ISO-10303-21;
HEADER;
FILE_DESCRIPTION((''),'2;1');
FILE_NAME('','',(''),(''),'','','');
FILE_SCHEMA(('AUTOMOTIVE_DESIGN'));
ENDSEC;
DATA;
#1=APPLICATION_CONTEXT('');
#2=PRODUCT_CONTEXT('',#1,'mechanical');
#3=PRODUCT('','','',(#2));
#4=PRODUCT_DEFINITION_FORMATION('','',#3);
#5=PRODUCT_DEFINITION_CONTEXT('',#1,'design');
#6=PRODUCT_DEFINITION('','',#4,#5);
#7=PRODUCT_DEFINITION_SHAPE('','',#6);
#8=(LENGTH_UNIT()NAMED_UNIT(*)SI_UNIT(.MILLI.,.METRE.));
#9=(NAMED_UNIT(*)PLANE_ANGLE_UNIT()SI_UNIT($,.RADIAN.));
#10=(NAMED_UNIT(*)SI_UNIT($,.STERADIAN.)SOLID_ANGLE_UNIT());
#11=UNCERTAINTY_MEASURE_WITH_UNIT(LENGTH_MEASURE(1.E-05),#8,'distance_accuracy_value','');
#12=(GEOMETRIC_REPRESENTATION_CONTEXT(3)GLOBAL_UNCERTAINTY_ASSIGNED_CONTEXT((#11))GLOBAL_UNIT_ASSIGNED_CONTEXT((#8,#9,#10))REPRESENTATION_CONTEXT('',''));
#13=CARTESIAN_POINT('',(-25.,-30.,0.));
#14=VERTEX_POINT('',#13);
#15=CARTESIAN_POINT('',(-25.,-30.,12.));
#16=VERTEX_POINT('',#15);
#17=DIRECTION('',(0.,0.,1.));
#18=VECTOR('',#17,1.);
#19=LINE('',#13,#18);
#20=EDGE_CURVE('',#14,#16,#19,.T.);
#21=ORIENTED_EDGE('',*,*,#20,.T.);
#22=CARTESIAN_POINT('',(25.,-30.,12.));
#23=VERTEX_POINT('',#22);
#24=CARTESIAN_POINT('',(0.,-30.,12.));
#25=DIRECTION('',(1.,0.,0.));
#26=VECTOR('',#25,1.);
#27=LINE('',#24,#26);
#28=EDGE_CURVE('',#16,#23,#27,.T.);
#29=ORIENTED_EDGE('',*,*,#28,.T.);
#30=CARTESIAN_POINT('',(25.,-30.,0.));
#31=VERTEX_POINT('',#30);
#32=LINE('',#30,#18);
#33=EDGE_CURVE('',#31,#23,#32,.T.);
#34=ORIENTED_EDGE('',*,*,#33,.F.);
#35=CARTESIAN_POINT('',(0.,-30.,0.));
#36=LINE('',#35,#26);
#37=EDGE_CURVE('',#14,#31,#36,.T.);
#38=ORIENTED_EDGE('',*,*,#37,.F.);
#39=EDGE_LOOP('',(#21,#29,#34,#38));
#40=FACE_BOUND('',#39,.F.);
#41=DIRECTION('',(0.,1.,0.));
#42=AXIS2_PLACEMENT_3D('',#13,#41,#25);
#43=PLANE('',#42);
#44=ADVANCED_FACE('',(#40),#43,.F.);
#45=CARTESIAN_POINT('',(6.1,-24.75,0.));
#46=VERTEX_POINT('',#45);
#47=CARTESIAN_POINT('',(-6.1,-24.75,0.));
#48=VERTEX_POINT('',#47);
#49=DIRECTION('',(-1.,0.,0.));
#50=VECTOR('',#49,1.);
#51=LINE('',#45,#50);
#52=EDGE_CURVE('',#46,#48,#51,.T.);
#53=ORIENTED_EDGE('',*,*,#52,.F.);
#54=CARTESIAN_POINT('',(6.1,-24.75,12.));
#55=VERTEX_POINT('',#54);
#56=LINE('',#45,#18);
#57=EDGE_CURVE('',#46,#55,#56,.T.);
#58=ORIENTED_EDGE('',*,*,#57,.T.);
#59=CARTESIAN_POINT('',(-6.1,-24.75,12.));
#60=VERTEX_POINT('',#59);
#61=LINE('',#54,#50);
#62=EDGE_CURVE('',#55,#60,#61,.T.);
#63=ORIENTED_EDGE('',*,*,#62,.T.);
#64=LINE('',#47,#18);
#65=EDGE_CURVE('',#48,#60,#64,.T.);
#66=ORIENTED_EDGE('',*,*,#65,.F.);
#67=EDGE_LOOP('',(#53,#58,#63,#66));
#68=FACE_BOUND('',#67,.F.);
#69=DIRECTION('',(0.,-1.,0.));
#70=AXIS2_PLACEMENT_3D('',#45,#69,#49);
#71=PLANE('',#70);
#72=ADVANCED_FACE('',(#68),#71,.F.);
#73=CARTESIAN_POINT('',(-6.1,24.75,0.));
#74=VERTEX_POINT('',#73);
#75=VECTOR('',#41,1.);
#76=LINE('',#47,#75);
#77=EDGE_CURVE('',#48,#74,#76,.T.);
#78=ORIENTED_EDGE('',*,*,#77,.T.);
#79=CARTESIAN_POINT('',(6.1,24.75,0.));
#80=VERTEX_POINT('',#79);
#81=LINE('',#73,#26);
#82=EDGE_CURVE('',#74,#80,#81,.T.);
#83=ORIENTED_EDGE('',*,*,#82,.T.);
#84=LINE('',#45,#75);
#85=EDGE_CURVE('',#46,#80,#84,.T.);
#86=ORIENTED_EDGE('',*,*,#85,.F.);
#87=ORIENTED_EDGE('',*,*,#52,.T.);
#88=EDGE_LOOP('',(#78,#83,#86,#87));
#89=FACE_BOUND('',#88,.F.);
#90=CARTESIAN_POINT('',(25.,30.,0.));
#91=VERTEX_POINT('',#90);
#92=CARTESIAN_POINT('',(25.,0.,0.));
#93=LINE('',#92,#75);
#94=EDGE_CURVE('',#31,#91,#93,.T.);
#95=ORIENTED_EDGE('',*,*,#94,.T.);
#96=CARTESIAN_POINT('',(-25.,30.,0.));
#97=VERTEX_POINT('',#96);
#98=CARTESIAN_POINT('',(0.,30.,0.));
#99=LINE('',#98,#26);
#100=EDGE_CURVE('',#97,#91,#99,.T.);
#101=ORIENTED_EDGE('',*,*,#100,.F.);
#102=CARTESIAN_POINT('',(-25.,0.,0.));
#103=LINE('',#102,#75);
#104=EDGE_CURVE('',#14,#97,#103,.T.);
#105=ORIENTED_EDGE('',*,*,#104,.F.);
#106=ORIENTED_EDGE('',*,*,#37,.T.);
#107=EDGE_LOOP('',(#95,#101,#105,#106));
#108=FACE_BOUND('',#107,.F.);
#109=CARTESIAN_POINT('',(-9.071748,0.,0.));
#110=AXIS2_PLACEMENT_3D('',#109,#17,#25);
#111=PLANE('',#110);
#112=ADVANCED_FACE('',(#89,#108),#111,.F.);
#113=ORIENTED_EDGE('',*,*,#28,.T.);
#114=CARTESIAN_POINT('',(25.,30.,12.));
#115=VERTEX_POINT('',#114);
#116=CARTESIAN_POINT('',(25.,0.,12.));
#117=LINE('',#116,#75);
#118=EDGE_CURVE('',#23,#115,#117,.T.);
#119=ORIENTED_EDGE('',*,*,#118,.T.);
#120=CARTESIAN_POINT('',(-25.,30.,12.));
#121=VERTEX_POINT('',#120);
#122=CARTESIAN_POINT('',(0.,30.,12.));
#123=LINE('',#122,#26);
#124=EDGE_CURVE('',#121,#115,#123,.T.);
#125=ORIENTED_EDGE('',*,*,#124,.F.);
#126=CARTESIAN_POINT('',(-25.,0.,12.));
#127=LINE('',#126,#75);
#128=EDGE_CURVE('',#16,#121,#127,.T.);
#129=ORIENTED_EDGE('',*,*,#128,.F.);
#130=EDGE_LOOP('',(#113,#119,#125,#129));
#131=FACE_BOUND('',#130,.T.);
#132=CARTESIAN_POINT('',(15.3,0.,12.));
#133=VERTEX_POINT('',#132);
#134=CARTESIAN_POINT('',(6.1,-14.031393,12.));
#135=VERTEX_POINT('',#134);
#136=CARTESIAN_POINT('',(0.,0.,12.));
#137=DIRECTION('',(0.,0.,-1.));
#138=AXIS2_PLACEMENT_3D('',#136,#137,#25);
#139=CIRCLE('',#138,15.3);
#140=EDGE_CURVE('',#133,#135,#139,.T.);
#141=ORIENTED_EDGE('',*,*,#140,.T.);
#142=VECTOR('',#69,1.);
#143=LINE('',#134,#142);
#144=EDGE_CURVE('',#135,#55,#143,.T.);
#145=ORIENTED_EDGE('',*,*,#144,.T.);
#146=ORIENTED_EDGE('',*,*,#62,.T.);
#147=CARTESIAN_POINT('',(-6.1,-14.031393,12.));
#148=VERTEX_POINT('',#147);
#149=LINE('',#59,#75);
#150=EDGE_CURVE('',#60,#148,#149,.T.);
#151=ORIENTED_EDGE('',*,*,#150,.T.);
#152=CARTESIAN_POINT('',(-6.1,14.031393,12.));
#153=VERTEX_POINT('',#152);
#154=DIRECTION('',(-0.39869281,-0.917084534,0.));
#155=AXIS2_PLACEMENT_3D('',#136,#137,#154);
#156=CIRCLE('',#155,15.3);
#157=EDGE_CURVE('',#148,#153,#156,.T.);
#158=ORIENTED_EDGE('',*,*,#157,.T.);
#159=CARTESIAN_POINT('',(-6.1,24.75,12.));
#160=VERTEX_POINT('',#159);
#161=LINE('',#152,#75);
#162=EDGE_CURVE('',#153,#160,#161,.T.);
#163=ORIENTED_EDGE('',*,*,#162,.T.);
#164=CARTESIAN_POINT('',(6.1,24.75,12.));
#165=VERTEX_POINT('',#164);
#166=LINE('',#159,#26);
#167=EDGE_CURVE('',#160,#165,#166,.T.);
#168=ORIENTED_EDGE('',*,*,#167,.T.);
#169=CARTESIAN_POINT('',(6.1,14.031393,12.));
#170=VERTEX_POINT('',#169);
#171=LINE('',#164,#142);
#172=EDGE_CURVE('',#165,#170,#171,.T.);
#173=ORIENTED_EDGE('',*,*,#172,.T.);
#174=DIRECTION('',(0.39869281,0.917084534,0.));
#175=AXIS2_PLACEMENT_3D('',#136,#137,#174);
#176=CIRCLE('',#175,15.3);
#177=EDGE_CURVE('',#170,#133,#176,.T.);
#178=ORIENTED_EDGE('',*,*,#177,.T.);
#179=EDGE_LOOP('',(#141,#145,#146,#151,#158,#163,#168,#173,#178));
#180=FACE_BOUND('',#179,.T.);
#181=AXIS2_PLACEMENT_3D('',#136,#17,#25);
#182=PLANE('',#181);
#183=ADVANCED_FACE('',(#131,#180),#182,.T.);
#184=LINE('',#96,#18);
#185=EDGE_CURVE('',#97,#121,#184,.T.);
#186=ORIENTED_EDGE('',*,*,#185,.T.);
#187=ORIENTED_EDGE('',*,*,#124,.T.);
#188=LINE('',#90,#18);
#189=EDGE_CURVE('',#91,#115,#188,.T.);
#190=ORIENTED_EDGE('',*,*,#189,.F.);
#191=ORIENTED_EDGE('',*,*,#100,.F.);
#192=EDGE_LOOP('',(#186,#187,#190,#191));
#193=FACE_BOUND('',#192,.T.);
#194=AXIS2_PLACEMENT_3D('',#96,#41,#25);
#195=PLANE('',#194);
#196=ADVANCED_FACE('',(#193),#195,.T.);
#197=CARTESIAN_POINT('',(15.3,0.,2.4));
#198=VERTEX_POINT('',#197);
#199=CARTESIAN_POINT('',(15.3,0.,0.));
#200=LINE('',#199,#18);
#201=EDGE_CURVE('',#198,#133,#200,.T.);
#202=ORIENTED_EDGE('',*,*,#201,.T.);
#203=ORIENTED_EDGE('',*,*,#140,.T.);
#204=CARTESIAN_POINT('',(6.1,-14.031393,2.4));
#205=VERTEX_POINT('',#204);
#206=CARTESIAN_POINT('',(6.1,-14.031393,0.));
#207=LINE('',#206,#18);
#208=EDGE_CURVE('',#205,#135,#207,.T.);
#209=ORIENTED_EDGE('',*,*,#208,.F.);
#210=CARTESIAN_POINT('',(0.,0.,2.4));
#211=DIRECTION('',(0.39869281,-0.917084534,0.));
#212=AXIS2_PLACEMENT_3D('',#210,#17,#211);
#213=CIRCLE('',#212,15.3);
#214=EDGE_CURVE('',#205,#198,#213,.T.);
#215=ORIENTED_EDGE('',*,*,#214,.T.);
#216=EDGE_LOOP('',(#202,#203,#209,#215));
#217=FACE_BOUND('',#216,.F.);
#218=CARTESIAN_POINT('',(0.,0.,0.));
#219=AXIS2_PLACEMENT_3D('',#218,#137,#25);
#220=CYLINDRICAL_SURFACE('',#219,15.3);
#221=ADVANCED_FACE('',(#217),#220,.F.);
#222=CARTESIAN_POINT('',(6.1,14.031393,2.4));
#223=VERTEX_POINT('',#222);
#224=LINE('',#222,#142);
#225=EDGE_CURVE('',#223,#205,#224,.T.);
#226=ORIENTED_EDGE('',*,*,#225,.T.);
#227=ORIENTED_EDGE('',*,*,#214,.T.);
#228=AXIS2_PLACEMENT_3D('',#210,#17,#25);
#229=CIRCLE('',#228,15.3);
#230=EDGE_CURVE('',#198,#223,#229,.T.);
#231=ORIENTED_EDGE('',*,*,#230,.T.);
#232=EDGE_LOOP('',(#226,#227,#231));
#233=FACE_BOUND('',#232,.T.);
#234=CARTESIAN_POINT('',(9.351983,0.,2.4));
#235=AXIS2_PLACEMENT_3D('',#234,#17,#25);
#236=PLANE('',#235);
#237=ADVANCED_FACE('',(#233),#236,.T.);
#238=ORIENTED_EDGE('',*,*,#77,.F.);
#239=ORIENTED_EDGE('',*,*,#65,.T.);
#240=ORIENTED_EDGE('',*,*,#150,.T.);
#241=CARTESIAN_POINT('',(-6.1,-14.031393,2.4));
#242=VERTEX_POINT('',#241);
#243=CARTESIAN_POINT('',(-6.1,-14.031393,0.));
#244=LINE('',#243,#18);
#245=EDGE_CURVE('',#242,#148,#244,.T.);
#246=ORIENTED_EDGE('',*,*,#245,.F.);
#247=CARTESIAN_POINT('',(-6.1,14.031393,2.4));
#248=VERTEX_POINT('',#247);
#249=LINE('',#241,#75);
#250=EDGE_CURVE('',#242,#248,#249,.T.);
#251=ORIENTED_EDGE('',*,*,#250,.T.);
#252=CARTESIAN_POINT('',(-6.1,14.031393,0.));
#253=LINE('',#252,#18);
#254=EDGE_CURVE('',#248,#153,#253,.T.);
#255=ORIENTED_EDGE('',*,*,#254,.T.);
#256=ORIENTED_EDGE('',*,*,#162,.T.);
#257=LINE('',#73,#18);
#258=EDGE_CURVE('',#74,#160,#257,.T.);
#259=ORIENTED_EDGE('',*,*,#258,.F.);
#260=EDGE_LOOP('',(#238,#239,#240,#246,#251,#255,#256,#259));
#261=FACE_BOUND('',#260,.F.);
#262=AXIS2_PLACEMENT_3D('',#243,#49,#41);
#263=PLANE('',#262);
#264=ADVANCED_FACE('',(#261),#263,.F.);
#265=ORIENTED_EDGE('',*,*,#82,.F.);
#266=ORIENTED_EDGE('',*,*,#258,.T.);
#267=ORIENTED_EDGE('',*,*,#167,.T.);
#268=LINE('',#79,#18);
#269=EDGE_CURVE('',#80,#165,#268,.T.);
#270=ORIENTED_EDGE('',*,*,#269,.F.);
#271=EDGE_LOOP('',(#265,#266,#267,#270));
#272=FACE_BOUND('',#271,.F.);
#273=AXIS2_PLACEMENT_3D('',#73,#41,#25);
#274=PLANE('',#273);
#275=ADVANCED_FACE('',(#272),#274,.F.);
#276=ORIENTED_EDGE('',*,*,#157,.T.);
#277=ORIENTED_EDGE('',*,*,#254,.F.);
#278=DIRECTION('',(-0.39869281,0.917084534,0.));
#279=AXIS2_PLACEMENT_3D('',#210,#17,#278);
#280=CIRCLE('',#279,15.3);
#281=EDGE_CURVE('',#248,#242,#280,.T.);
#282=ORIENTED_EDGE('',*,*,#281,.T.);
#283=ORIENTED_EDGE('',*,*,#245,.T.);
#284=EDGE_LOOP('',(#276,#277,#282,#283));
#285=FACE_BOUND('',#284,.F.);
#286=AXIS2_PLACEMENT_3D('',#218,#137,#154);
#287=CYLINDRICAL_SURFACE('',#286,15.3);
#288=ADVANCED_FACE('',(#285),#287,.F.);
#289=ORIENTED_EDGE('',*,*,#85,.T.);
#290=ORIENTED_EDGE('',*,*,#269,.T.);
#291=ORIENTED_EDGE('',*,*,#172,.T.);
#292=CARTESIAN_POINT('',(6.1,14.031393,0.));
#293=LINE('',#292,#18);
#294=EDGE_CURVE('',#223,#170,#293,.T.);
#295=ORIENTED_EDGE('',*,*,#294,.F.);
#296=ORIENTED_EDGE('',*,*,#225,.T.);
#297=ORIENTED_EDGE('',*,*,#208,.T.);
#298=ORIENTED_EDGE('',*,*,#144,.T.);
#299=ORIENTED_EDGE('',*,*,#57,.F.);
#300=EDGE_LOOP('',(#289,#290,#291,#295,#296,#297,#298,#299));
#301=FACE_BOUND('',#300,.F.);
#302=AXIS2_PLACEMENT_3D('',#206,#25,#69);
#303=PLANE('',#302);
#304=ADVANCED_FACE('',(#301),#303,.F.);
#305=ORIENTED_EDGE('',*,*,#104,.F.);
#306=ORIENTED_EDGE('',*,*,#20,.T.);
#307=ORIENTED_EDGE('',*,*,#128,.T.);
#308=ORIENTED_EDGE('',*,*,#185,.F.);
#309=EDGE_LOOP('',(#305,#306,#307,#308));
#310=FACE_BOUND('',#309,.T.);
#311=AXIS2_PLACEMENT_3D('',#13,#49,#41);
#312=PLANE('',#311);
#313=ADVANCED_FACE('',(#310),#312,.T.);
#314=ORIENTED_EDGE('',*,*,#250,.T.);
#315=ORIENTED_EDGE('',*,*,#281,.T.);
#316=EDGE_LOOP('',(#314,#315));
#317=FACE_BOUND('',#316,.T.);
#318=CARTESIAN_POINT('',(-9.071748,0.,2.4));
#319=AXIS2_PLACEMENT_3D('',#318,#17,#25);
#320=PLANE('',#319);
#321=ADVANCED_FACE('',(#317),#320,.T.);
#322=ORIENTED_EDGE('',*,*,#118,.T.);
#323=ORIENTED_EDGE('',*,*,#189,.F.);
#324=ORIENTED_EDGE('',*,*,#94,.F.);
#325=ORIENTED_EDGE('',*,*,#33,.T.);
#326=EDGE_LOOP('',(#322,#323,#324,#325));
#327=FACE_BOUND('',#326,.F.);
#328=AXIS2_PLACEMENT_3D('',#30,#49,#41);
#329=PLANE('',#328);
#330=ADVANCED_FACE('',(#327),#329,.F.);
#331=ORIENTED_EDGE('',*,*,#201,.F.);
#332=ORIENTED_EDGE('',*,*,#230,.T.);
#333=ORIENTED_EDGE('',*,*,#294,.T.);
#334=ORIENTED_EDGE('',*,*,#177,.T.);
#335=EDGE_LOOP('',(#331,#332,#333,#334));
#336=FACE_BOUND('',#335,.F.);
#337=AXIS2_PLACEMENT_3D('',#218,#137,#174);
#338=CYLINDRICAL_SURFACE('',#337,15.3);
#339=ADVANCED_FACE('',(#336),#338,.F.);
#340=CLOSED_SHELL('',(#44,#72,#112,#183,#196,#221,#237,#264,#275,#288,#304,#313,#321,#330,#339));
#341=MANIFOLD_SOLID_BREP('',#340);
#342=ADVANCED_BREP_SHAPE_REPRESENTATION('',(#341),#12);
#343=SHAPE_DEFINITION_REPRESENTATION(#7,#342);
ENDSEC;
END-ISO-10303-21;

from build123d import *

# Parameters (mm, degrees)
F0_W     = 50
F0_H     = 60
F1_DEPTH = 12
F2_DEPTH = 2.4


with BuildPart() as f1:
    # F0 (on Top) → F1 (new body)
    with BuildSketch(Plane.XY):
        Rectangle(F0_W, F0_H)
        with BuildLine():
            Line((6.1, -14.0313933734), (6.1, -24.75))
            Line((6.1, -24.75), (-6.1, -24.75))
            Line((-6.1, -24.75), (-6.1, -14.0313933734))
            ThreePointArc((-6.1, -14.0313933734), (-15.3, 0), (-6.1, 14.0313933734))
            Line((-6.1, 14.0313933734), (-6.1, 24.75))
            Line((-6.1, 24.75), (6.1, 24.75))
            Line((6.1, 24.75), (6.1, 14.0313933734))
            ThreePointArc((6.1, 14.0313933734), (12.7949208673, 8.3892788725), (15.3, 0))
            ThreePointArc((15.3, 0), (12.7949208673, -8.3892788725), (6.1, -14.0313933734))
        make_face(mode=Mode.SUBTRACT)
    extrude(amount=F1_DEPTH)

    # F0 (on Top) → F2 (join)
    with BuildSketch(Plane.XY):
        with BuildLine():
            ThreePointArc((-6.1, 14.0313933734), (-15.3, 0), (-6.1, -14.0313933734))
            Line((-6.1, -14.0313933734), (-6.1, 14.0313933734))
        make_face()
        with BuildLine():
            Line((6.1, 14.0313933734), (6.1, -14.0313933734))
            ThreePointArc((6.1, -14.0313933734), (12.7949208673, -8.3892788725), (15.3, 0))
            ThreePointArc((15.3, 0), (12.7949208673, 8.3892788725), (6.1, 14.0313933734))
        make_face()
    extrude(amount=F2_DEPTH)


solid = f1.part
